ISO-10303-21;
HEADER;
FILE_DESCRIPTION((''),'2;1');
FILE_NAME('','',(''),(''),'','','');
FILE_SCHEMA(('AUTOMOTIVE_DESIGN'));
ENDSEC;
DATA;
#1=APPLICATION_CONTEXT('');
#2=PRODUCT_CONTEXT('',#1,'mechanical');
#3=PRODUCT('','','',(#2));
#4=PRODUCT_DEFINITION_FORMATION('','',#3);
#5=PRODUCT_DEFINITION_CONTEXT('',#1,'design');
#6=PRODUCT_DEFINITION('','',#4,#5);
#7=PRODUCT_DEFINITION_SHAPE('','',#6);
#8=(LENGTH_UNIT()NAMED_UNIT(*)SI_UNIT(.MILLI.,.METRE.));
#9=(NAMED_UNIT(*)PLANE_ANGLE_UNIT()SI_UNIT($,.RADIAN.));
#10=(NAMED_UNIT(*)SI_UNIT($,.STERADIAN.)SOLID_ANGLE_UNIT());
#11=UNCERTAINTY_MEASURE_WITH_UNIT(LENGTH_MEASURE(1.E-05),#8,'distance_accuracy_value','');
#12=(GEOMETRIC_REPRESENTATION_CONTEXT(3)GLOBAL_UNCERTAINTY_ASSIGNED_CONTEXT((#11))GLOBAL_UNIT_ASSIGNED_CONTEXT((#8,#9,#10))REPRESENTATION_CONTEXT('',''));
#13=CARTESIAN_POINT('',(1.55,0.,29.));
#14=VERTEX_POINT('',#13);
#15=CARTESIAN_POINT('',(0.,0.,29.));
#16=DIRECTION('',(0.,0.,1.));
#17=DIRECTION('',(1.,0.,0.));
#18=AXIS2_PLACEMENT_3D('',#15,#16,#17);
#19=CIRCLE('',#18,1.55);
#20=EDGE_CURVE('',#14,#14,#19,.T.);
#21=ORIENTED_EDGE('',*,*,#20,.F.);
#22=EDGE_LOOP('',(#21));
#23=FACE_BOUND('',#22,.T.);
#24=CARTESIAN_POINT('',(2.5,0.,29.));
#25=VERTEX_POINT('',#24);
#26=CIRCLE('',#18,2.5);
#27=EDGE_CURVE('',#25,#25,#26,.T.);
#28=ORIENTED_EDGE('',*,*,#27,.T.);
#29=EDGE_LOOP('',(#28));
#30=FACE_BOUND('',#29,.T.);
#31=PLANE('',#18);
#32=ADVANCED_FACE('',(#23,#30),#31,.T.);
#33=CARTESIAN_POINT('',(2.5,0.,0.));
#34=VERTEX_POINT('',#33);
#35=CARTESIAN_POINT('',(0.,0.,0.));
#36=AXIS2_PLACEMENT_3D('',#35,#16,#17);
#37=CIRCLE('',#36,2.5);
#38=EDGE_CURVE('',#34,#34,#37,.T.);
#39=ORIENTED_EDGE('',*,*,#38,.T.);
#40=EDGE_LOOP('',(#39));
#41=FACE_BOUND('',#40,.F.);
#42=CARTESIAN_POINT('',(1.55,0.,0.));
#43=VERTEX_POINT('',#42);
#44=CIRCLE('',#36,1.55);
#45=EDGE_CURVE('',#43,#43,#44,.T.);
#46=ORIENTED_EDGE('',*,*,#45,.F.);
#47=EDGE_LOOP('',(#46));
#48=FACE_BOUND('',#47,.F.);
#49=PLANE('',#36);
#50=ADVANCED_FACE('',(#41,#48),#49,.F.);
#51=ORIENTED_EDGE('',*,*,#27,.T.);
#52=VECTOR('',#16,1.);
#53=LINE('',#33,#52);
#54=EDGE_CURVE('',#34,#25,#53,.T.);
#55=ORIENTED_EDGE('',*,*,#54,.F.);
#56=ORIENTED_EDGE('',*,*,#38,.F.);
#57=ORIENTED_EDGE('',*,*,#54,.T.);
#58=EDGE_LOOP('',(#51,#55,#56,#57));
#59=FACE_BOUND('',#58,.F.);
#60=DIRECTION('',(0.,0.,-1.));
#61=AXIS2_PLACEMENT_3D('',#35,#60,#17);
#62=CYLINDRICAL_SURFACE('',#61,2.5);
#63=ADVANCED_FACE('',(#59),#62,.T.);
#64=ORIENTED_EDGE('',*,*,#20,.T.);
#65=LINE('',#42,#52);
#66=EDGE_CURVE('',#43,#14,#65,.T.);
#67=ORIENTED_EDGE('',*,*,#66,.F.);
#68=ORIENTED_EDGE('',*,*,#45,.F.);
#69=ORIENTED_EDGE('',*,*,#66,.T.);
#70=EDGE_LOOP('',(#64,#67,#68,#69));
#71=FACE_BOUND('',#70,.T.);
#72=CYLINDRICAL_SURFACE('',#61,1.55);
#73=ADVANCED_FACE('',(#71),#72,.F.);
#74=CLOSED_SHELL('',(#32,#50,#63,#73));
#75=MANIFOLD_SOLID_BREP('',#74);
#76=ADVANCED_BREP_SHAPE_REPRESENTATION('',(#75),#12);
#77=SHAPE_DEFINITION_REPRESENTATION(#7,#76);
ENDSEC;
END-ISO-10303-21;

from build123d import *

# Parameters (mm, degrees)
SKETCH_R   = 2.5
SKETCH_R_2 = 1.55
PAD_DEPTH  = 29


with BuildPart() as part:
    # Sketch → Pad (new body)
    with BuildSketch(Plane.XY):
        Circle(SKETCH_R)
        Circle(SKETCH_R_2, mode=Mode.SUBTRACT)
    extrude(amount=PAD_DEPTH)


solid = part.part
